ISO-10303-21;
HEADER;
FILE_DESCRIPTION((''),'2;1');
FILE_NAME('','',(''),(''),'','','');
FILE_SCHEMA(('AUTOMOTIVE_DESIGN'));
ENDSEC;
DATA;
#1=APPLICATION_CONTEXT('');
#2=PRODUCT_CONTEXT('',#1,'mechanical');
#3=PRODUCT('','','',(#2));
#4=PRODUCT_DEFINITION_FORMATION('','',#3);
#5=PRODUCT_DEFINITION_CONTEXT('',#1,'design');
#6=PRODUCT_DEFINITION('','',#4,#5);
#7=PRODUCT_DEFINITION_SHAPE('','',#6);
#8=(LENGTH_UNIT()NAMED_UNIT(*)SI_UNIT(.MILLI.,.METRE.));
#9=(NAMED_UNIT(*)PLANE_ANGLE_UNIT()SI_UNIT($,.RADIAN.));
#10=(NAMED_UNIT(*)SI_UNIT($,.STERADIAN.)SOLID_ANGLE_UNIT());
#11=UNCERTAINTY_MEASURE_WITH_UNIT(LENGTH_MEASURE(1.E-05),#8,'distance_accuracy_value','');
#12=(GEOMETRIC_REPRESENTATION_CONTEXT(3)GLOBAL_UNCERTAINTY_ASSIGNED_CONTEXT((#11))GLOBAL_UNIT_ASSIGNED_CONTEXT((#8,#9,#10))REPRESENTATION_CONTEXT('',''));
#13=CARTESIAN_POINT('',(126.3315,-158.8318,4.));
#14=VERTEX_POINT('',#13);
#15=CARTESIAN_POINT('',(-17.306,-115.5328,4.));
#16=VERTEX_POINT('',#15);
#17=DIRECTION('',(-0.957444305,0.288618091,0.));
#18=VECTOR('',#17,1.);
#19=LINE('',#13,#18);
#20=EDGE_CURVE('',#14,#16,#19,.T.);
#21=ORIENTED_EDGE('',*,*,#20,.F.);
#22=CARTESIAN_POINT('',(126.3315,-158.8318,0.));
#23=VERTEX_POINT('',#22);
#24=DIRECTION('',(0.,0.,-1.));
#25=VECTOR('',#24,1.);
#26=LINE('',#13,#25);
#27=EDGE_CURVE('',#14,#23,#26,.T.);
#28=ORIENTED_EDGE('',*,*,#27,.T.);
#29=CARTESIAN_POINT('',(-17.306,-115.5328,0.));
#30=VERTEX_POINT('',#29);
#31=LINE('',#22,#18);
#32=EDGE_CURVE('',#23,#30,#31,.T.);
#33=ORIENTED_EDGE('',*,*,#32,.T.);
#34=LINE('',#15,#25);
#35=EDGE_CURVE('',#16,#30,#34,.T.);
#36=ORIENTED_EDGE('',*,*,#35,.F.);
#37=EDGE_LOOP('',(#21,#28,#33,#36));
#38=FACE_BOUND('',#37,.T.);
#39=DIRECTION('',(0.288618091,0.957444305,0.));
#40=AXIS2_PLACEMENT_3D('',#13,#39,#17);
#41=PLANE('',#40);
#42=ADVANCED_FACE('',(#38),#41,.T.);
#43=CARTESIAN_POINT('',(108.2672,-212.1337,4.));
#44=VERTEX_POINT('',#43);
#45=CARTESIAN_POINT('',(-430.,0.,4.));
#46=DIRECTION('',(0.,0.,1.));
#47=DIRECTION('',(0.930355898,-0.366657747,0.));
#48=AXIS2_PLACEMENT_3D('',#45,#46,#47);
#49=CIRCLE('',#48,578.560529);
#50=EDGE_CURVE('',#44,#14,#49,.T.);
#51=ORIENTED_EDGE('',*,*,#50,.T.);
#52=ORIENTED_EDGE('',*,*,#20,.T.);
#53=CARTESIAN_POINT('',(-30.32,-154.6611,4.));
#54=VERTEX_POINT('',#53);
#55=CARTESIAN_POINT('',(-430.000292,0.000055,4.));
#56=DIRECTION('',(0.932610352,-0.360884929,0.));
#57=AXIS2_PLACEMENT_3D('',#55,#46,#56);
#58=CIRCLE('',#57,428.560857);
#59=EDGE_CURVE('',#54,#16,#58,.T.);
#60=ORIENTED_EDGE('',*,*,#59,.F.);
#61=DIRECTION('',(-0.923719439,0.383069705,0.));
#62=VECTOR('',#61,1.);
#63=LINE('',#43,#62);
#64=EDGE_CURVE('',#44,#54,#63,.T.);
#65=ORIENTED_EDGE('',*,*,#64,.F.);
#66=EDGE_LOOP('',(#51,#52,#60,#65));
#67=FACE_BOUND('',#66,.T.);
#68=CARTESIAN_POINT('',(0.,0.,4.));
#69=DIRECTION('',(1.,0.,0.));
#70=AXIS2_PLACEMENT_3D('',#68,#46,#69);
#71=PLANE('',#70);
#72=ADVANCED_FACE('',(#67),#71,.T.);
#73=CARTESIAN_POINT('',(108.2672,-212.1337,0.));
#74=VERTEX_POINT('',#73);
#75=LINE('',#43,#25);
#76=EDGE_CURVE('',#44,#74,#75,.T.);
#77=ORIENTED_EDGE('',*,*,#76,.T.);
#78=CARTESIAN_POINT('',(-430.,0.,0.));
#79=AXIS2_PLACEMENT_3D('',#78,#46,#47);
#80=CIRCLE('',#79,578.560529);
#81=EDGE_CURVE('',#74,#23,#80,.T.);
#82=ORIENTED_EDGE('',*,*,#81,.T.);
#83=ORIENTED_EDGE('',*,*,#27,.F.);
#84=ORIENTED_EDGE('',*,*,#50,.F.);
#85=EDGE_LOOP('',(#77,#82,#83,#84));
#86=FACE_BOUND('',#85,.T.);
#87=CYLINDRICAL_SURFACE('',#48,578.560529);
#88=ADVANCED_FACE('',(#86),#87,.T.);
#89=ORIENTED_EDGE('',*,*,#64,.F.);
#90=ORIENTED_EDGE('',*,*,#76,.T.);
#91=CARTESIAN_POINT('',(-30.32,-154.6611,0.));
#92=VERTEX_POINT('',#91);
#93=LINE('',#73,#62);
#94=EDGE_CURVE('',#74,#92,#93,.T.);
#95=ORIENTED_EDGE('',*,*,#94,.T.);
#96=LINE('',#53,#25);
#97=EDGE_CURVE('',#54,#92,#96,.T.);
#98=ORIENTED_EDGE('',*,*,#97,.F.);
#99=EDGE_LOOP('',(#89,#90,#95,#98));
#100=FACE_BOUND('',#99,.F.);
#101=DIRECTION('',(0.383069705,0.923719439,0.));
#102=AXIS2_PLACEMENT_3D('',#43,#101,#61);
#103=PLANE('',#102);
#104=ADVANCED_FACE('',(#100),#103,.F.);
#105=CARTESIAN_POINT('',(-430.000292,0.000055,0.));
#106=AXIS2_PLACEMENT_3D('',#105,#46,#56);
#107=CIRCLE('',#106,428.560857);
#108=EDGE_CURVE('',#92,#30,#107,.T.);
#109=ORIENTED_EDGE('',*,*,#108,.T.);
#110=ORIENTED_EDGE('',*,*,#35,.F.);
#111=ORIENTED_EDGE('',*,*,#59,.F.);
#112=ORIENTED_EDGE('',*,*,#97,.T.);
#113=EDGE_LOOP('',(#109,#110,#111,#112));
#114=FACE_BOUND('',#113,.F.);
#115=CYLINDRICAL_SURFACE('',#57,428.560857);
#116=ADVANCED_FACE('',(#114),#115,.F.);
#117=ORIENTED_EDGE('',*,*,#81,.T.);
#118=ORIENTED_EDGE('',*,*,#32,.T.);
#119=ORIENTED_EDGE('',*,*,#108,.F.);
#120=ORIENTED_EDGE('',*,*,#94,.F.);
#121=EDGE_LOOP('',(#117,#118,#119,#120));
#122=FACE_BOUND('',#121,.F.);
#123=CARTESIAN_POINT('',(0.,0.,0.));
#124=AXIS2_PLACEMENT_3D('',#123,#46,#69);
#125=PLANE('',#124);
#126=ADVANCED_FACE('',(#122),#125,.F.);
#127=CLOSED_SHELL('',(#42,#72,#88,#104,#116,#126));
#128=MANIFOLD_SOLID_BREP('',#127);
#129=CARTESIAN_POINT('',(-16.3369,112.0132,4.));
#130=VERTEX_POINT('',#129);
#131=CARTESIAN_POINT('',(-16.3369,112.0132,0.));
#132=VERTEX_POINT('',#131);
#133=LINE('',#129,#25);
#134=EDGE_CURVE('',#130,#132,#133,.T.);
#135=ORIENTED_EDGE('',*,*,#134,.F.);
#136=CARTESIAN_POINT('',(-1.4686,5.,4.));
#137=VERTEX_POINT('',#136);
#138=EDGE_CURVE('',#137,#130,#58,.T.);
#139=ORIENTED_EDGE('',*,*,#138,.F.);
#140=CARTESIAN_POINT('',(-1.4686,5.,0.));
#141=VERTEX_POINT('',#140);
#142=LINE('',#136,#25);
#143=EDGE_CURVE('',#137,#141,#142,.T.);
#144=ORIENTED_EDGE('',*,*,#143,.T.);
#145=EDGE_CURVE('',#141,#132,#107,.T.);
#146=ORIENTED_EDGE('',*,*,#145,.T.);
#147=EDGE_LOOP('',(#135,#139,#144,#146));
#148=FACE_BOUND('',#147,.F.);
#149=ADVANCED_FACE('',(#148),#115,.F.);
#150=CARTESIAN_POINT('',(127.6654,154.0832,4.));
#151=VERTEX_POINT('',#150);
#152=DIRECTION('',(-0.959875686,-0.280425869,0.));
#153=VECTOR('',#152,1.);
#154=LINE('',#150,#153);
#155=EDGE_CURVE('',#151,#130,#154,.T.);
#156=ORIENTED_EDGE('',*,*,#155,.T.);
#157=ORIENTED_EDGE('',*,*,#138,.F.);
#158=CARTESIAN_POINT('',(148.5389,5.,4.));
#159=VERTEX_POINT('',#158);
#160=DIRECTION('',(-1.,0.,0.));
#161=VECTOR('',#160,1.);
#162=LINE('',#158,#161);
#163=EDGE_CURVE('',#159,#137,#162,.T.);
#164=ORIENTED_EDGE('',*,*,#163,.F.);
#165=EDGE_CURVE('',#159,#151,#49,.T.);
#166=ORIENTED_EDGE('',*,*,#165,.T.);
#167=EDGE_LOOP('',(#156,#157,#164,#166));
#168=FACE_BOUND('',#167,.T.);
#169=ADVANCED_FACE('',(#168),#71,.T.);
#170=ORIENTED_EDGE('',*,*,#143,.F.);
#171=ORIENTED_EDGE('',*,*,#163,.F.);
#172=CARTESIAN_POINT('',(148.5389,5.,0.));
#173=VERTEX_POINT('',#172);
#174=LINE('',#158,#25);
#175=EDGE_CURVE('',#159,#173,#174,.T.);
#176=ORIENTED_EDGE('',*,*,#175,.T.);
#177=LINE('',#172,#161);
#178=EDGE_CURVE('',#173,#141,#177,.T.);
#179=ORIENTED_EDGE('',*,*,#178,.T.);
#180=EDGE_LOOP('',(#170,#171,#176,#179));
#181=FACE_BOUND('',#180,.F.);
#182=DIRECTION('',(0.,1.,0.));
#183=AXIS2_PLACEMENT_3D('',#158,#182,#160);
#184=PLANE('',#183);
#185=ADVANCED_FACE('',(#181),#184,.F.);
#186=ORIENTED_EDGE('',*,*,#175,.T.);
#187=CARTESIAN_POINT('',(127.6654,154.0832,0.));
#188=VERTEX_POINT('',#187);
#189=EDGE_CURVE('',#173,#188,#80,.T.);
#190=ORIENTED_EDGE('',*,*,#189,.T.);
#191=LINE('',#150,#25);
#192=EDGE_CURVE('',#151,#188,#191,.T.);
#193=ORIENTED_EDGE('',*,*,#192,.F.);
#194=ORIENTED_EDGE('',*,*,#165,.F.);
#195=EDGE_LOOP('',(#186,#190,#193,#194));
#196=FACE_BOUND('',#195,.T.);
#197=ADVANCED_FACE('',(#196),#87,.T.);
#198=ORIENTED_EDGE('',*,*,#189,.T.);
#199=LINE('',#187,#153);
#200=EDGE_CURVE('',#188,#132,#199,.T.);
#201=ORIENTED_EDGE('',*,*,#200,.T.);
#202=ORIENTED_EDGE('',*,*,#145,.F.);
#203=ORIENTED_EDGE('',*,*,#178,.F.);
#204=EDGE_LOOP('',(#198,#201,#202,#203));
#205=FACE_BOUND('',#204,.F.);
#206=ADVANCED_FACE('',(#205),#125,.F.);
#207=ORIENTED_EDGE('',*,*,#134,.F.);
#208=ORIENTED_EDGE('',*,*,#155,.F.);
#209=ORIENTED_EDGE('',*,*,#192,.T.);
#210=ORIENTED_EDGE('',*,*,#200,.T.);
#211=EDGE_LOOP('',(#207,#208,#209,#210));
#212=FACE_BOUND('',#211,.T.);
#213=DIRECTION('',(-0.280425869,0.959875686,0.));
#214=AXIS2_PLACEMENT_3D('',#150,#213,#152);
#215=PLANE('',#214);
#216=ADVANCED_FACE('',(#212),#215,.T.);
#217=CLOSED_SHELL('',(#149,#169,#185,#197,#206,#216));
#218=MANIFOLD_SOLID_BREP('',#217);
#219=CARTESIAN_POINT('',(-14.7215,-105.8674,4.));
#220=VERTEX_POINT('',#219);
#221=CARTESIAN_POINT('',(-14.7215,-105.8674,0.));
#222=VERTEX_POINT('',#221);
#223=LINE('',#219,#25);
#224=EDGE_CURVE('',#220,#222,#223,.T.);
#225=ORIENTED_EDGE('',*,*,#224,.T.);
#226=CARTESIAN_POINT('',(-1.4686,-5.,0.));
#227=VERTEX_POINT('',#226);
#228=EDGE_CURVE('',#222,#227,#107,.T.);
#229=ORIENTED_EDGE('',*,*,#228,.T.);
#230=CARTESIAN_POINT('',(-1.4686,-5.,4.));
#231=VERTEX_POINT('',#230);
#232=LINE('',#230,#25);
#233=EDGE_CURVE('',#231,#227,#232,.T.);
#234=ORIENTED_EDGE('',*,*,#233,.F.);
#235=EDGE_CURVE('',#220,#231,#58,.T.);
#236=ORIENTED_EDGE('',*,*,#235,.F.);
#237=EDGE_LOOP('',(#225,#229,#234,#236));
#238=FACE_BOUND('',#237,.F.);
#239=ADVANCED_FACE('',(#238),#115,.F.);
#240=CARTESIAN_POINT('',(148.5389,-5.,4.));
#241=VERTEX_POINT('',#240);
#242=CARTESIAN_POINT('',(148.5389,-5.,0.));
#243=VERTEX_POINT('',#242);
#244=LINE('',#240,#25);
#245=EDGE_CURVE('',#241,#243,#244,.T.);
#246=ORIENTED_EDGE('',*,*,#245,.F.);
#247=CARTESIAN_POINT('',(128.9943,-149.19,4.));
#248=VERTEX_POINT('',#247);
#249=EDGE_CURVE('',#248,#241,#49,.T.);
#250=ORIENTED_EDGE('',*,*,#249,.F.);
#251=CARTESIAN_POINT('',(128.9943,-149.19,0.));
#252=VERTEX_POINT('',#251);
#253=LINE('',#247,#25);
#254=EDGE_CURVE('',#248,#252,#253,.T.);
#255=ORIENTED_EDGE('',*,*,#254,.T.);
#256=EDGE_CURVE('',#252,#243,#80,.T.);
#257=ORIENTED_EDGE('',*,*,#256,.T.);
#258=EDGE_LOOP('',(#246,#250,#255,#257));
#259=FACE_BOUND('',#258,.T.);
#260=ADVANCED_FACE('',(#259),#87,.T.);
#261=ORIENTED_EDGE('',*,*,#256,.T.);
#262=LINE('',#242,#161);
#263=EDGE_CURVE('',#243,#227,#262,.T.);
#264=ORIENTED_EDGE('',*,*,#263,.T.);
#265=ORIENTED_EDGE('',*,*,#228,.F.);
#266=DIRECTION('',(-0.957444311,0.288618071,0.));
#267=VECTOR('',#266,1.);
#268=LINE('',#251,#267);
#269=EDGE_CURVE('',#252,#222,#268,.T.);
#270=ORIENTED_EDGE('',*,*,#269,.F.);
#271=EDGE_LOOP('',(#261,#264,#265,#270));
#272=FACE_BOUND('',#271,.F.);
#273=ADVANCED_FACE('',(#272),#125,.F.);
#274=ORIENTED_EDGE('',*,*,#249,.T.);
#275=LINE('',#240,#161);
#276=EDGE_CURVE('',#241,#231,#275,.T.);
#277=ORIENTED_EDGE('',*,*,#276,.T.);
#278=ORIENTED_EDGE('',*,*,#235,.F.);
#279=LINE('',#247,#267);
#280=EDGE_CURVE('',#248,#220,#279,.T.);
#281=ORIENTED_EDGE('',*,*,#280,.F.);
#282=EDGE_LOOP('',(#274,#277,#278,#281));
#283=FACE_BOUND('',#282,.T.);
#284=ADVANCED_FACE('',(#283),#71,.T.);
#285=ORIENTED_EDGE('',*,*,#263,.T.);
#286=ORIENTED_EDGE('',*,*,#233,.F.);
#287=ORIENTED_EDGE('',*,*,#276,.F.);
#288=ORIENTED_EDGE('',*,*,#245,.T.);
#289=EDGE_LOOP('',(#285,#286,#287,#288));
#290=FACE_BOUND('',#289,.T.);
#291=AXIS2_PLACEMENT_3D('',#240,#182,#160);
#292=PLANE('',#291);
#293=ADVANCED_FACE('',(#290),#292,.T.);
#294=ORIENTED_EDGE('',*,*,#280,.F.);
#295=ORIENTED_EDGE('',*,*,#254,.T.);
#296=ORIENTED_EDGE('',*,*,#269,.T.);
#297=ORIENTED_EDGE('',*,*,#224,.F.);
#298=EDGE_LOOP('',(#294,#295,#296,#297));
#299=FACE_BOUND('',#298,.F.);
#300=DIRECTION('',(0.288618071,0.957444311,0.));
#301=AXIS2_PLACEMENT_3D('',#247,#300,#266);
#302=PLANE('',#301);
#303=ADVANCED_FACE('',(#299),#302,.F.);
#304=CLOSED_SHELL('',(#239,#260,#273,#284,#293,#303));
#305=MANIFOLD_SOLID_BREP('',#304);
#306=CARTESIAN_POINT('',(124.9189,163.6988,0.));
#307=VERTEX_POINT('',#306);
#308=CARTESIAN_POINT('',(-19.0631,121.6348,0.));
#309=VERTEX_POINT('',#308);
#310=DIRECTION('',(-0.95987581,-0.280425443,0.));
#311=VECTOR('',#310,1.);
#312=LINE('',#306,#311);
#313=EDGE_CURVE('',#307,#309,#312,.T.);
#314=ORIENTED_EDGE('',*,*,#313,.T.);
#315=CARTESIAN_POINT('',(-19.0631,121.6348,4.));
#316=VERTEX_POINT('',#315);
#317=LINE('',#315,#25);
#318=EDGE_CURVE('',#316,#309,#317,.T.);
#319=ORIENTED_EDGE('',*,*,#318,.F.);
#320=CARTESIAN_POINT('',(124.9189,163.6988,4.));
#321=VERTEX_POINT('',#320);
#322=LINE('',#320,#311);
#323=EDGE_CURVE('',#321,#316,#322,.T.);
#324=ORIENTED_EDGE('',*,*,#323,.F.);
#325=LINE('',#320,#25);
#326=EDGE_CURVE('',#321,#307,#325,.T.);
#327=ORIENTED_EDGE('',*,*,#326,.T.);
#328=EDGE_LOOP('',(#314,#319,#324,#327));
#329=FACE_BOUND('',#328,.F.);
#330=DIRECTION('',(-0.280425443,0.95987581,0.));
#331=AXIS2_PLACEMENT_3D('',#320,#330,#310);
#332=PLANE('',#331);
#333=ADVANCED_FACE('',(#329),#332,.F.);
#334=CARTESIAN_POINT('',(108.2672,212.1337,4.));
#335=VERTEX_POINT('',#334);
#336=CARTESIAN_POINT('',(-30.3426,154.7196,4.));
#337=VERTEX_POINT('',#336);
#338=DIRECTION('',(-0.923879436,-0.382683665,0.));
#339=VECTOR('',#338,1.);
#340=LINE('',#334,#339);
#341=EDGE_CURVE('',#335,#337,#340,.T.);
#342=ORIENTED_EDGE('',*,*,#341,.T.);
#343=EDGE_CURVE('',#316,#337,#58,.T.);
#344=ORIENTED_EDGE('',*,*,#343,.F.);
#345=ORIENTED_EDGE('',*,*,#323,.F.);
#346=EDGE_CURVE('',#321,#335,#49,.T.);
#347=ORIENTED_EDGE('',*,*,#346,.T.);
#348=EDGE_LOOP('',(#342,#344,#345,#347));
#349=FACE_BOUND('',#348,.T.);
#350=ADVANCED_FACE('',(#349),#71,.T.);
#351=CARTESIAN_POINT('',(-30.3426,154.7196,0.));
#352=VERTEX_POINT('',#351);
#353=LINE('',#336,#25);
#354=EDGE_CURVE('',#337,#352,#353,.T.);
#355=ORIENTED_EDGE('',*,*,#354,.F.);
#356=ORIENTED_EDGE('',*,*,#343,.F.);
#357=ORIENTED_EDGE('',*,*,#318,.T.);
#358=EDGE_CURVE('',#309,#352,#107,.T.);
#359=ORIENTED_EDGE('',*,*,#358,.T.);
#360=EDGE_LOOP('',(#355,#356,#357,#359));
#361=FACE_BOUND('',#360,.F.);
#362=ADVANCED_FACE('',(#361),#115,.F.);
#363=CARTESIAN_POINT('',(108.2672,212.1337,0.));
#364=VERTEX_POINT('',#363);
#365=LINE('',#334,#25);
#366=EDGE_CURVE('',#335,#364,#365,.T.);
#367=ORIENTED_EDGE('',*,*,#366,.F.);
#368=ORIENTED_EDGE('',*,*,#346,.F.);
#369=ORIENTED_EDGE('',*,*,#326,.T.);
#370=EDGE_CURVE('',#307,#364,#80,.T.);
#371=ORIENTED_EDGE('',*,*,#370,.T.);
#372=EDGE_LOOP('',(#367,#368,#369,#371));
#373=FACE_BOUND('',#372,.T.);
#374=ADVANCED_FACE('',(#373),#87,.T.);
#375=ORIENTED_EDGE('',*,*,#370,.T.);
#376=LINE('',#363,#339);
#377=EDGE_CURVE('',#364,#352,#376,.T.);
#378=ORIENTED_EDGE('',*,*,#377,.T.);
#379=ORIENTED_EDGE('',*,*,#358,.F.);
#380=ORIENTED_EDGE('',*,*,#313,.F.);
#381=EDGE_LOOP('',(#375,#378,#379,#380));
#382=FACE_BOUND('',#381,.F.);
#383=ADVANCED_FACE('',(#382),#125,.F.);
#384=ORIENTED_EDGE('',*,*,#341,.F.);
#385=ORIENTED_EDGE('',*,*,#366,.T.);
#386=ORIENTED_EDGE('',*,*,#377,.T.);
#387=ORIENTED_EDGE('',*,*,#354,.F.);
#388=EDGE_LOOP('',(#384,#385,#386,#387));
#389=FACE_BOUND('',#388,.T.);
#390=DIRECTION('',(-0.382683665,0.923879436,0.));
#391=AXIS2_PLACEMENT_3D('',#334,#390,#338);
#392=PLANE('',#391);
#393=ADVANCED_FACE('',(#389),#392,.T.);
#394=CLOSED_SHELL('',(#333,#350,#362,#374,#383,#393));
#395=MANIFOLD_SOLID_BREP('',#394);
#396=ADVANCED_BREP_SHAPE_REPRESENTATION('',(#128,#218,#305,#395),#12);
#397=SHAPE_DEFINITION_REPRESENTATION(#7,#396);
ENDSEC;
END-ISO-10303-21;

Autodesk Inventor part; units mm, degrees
ref_plane "YZ Plane" through (0, 0, 0) normal (1, 0, 0) x (0, 1, 0)
ref_plane "XZ Plane" through (0, 0, 0) normal (0, 1, 0) x (-1, 0, 0)
ref_plane "Work Plane1" through (0, 0, 4) normal (0, 0, 1) x (1, 0, 0)
sketch "Sketch1" plane through (0, 0, 4) normal (0, 0, 1) x (1, 0, 0)
  arc A0 (-35.3271, -161.3048) -> (-35.3271, 161.3048) centre (-430, 0) ccw construction
  spline S0 degree 3 poles (-35.3271, 161.3048) (-34.9883, 161.4436) (-34.6494, 161.5824) (-33.9718, 161.86) (-33.633, 161.9988) (-33.2941, 162.1376) knots -0.219692 -0.219692 -0.219692 -0.219692 -0.109846 -0.109846 0 0 0 0 construction
  arc A1 (-33.2941, -162.1376) -> (-33.2941, 162.1376) centre (-430, 0) ccw construction
  spline S1 degree 3 poles (-33.2941, -162.1376) (-33.633, -161.9988) (-33.9718, -161.86) (-34.6494, -161.5824) (-34.9883, -161.4436) (-35.3271, -161.3048) knots -0.219692 -0.219692 -0.219692 -0.219692 -0.109846 -0.109846 0 0 0 0 construction
  line L0 (248.7389, -270.3189) -> (244.912, -279.5577) construction
  line L1 (244.912, -279.5577) -> (-33.5817, -164.2018) construction
  line L2 (-33.5817, -164.2018) -> (-29.7549, -154.963) construction
  line L3 (-29.7549, -154.963) -> (248.7389, -270.3189) construction
  line L4 (275.5471, -193.3679) -> (272.661, -202.9423) construction
  line L5 (272.661, -202.9423) -> (-15.9505, -115.9414) construction
  line L6 (-15.9505, -115.9414) -> (-13.0643, -106.3669) construction
  line L7 (-13.0643, -106.3669) -> (275.5471, -193.3679) construction
  line L8 (300, 5) -> (300, -5) construction
  line L9 (300, -5) -> (-1.4394, -5) construction
  line L10 (-1.4394, -5) -> (-1.4394, 5) construction
  line L11 (-1.4394, 5) -> (300, 5) construction
  line L12 (270.5022, 206.2306) -> (273.3065, 196.6319) construction
  line L13 (273.3065, 196.6319) -> (-16.0379, 112.1006) construction
  line L14 (-16.0379, 112.1006) -> (-18.8422, 121.6993) construction
  line L15 (-18.8422, 121.6993) -> (270.5022, 206.2306) construction
  line L16 (244.5337, 279.401) -> (248.3605, 270.1622) construction
  line L17 (248.3605, 270.1622) -> (-30.1332, 154.8063) construction
  line L18 (-30.1332, 154.8063) -> (-33.9601, 164.0451) construction
  line L19 (-33.9601, 164.0451) -> (244.5337, 279.401) construction
  arc A2 (-30.32, -154.6611) -> (-30.3426, 154.7196) centre (-430, 0) ccw
  arc A3 (108.2672, -212.1337) -> (108.2672, 212.1337) centre (-430, 0) ccw
  line L20 (108.2672, -212.1337) -> (-30.32, -154.6611)
  line L21 (128.9943, -149.19) -> (-14.7215, -105.8674)
  line L22 (148.5389, -5) -> (-1.4686, -5)
  line L23 (148.5389, 5) -> (-1.4686, 5)
  line L24 (127.6654, 154.0832) -> (-16.3369, 112.0132)
  line L25 (124.9189, 163.6988) -> (-19.0631, 121.6348)
  line L26 (108.2672, 212.1337) -> (-30.3426, 154.7196)
  line L27 (126.3315, -158.8318) -> (-17.306, -115.5328)
  point P0 (0, 0)
  dimension "d0" = 150
extrude "Extrusion1" add sketch "Sketch1" against normal blind 4 contours A2 L27 A3 L20 | A2 L22 A3 L21 | A2 L24 A3 L23 | A2 L26 A3 L25
properties part number "externalSupportRear3" material "Wood (Cherry)"
